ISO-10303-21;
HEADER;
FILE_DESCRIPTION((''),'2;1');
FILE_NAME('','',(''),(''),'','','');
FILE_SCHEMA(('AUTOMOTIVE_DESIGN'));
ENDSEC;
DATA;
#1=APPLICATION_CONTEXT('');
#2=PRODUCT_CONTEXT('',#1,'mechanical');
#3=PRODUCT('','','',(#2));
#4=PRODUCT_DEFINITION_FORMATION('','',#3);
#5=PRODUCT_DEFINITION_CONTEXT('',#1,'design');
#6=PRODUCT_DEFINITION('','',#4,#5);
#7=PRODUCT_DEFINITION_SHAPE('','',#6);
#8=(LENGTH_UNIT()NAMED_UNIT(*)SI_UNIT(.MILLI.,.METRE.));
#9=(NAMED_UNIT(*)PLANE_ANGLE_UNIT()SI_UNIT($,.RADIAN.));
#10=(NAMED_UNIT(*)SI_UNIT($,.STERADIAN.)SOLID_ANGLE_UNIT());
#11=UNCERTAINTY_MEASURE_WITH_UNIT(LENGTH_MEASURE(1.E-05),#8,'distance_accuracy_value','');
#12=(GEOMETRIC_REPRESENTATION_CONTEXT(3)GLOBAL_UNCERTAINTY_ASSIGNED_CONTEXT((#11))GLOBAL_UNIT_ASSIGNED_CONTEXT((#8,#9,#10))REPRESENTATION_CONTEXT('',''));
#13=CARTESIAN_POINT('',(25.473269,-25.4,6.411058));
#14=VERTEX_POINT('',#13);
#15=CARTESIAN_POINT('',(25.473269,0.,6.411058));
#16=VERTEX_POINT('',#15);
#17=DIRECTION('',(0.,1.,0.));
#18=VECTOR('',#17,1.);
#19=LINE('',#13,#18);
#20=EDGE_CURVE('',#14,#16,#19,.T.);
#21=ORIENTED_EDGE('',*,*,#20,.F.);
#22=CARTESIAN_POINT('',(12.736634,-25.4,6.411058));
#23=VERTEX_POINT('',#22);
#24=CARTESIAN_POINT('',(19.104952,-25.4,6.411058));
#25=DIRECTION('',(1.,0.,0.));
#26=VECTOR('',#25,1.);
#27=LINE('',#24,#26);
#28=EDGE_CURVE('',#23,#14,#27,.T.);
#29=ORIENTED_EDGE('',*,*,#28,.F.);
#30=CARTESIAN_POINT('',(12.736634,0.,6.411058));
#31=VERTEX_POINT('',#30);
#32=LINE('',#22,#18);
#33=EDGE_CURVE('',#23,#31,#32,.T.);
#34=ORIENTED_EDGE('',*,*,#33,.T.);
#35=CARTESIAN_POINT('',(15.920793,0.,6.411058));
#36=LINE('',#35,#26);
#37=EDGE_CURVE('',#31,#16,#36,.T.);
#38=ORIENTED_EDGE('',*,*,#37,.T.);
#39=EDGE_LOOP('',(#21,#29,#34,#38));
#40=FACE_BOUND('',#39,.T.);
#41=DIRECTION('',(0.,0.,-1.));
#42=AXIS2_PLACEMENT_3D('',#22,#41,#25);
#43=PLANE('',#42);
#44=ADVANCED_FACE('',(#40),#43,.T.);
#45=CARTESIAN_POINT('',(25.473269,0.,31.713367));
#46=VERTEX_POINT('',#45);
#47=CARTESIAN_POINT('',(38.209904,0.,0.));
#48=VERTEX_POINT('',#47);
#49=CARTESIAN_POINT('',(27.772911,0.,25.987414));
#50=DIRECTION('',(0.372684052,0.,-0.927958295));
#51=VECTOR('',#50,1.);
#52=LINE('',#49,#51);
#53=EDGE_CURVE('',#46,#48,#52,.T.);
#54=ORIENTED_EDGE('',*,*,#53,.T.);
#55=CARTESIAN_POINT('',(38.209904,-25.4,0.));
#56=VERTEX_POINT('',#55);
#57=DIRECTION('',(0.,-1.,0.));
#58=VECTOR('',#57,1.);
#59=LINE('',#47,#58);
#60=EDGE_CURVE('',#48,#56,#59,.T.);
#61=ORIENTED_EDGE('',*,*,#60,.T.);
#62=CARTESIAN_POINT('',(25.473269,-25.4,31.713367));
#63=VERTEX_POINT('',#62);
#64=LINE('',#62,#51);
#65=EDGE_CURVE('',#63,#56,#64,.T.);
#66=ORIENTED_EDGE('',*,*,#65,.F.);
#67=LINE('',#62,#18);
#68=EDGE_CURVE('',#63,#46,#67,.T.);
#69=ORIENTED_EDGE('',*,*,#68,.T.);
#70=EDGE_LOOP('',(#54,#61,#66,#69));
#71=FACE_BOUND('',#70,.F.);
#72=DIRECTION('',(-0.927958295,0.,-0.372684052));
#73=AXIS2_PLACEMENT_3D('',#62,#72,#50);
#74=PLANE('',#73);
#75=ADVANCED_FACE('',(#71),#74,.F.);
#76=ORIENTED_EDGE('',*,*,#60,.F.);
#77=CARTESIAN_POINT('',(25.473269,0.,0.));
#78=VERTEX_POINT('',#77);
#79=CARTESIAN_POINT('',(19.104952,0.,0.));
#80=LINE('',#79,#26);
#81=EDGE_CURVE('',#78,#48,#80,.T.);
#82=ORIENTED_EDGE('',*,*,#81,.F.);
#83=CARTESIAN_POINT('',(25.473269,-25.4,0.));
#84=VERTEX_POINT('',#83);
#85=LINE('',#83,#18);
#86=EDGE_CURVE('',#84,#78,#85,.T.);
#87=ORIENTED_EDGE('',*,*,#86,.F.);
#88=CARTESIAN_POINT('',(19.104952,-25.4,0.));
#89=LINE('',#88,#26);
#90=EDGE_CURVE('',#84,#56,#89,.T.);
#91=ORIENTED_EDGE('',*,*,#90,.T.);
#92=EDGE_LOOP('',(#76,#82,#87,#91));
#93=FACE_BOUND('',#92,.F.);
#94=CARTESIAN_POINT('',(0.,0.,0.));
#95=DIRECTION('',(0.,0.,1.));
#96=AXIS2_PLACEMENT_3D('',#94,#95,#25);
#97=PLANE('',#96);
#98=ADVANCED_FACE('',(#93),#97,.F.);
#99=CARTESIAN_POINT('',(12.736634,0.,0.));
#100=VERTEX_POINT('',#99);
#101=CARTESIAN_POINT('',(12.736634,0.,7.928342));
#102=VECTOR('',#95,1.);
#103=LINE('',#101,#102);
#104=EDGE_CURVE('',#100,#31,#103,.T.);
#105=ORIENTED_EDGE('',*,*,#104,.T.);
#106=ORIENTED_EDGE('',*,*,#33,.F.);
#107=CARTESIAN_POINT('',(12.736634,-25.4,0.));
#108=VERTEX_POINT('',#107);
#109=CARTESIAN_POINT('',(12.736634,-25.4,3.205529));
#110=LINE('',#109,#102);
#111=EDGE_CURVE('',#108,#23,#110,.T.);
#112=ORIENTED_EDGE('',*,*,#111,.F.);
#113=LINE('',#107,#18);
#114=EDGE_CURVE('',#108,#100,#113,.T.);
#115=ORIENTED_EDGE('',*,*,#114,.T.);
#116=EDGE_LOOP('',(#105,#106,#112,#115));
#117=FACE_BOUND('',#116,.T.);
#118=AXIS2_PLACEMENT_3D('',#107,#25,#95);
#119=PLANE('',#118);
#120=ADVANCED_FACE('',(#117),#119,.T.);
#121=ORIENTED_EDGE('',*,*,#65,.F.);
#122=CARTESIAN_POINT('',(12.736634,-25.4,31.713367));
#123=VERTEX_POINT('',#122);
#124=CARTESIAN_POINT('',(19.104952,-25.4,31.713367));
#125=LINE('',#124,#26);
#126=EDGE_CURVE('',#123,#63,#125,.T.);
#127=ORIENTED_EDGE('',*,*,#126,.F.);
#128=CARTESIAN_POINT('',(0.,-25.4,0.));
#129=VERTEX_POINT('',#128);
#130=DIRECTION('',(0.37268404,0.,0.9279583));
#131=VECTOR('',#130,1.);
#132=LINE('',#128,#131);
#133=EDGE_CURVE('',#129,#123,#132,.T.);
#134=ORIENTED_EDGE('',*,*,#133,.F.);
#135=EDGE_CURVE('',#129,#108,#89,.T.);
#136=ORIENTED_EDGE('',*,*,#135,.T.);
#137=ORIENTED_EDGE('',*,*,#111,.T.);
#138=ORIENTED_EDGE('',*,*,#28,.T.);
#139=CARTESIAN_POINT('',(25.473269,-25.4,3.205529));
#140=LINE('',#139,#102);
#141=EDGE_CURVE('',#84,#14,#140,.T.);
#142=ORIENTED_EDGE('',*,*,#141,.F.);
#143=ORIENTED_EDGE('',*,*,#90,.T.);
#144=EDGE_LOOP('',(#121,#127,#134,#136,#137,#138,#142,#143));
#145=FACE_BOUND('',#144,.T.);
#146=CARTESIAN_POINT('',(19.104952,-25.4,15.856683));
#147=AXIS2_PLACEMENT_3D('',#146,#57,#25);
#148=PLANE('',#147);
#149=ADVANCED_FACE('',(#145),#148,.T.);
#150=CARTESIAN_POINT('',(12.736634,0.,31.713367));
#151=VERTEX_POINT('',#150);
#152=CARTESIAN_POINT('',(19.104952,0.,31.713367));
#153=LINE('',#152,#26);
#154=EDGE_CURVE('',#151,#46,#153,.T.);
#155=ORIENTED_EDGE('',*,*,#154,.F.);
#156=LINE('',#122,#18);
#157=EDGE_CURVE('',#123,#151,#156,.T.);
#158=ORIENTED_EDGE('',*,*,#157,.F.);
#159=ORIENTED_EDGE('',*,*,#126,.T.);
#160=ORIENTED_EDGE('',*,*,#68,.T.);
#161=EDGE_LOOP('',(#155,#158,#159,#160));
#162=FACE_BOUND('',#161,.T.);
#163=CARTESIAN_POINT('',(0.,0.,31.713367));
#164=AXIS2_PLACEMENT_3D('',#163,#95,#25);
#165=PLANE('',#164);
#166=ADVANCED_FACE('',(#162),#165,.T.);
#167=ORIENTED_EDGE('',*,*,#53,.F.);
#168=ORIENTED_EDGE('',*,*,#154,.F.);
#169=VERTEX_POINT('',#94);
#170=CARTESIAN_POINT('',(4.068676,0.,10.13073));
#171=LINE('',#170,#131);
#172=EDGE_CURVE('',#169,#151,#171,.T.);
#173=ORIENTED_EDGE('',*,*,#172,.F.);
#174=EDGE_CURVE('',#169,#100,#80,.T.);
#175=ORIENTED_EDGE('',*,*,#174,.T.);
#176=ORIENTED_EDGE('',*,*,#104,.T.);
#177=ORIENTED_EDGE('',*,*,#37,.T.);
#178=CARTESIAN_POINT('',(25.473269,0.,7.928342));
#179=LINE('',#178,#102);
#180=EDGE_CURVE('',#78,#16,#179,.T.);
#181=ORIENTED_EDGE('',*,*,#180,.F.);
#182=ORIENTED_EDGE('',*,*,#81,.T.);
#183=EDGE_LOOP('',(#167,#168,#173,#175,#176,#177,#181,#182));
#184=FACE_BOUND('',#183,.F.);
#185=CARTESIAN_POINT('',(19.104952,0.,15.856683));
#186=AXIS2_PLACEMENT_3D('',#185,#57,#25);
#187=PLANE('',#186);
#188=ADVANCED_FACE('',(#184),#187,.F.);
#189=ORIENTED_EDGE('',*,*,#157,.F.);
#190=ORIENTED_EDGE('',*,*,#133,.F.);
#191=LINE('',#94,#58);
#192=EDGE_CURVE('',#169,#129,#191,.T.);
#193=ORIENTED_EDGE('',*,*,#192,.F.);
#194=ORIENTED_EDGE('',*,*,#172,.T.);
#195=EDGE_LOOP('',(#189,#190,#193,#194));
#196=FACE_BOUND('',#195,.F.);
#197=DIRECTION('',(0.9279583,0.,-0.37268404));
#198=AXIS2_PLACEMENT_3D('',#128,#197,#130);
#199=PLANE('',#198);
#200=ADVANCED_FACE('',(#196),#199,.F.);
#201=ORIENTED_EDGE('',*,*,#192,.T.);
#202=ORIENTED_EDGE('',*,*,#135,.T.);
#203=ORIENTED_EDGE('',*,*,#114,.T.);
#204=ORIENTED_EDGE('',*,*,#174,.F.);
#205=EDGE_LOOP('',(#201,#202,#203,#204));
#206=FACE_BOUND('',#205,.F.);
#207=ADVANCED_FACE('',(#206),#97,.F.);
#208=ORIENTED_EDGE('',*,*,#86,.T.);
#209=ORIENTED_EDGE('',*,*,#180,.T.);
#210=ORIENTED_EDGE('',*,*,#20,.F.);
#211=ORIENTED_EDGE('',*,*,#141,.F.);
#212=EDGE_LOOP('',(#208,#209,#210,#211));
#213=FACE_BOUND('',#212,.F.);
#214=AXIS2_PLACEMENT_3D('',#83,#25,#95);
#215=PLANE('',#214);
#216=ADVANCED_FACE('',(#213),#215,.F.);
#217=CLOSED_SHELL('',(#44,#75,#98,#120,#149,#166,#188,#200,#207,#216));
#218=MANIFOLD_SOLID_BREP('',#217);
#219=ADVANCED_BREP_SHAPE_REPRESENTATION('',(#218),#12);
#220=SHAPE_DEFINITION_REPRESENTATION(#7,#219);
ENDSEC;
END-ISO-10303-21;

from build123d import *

# Parameters (mm, degrees)
F0_W     = 38.2099039853
F0_H     = 31.7133665085
F1_DEPTH = 25.4
F3_DEPTH = 25.401
F5_DEPTH = 25.401
F6_W     = 12.736634817
F6_H     = 6.4110578969
F7_DEPTH = 25.401


with BuildPart() as f1:
    # F0 (on Front) → F1 (new body)
    with BuildSketch(Plane.XZ):
        with Locations((19.1049519926, 15.8566832542)):
            Rectangle(F0_W, F0_H)
    extrude(amount=F1_DEPTH)

    # F2 (on face) → F3 (cut, through all)
    with BuildSketch(Plane.XZ.offset(25.4)):
        Polygon((0, 0), (12.7366343513, 31.7133665085), (0, 31.7133665085), align=None)
    extrude(amount=-F3_DEPTH, mode=Mode.SUBTRACT)

    # F4 (on face) → F5 (cut, through all)
    with BuildSketch(Plane.XZ.offset(25.4)):
        Polygon((38.2099039853, 31.7133665085), (25.4732691683, 31.7133665085), (38.2099039853, 0), align=None)
    extrude(amount=-F5_DEPTH, mode=Mode.SUBTRACT)

    # F6 (on face) → F7 (cut, through all)
    with BuildSketch(Plane.XZ.offset(25.4)):
        with Locations((19.1049517598, 3.2055289485)):
            Rectangle(F6_W, F6_H)
    extrude(amount=-F7_DEPTH, mode=Mode.SUBTRACT)


solid = f1.part
